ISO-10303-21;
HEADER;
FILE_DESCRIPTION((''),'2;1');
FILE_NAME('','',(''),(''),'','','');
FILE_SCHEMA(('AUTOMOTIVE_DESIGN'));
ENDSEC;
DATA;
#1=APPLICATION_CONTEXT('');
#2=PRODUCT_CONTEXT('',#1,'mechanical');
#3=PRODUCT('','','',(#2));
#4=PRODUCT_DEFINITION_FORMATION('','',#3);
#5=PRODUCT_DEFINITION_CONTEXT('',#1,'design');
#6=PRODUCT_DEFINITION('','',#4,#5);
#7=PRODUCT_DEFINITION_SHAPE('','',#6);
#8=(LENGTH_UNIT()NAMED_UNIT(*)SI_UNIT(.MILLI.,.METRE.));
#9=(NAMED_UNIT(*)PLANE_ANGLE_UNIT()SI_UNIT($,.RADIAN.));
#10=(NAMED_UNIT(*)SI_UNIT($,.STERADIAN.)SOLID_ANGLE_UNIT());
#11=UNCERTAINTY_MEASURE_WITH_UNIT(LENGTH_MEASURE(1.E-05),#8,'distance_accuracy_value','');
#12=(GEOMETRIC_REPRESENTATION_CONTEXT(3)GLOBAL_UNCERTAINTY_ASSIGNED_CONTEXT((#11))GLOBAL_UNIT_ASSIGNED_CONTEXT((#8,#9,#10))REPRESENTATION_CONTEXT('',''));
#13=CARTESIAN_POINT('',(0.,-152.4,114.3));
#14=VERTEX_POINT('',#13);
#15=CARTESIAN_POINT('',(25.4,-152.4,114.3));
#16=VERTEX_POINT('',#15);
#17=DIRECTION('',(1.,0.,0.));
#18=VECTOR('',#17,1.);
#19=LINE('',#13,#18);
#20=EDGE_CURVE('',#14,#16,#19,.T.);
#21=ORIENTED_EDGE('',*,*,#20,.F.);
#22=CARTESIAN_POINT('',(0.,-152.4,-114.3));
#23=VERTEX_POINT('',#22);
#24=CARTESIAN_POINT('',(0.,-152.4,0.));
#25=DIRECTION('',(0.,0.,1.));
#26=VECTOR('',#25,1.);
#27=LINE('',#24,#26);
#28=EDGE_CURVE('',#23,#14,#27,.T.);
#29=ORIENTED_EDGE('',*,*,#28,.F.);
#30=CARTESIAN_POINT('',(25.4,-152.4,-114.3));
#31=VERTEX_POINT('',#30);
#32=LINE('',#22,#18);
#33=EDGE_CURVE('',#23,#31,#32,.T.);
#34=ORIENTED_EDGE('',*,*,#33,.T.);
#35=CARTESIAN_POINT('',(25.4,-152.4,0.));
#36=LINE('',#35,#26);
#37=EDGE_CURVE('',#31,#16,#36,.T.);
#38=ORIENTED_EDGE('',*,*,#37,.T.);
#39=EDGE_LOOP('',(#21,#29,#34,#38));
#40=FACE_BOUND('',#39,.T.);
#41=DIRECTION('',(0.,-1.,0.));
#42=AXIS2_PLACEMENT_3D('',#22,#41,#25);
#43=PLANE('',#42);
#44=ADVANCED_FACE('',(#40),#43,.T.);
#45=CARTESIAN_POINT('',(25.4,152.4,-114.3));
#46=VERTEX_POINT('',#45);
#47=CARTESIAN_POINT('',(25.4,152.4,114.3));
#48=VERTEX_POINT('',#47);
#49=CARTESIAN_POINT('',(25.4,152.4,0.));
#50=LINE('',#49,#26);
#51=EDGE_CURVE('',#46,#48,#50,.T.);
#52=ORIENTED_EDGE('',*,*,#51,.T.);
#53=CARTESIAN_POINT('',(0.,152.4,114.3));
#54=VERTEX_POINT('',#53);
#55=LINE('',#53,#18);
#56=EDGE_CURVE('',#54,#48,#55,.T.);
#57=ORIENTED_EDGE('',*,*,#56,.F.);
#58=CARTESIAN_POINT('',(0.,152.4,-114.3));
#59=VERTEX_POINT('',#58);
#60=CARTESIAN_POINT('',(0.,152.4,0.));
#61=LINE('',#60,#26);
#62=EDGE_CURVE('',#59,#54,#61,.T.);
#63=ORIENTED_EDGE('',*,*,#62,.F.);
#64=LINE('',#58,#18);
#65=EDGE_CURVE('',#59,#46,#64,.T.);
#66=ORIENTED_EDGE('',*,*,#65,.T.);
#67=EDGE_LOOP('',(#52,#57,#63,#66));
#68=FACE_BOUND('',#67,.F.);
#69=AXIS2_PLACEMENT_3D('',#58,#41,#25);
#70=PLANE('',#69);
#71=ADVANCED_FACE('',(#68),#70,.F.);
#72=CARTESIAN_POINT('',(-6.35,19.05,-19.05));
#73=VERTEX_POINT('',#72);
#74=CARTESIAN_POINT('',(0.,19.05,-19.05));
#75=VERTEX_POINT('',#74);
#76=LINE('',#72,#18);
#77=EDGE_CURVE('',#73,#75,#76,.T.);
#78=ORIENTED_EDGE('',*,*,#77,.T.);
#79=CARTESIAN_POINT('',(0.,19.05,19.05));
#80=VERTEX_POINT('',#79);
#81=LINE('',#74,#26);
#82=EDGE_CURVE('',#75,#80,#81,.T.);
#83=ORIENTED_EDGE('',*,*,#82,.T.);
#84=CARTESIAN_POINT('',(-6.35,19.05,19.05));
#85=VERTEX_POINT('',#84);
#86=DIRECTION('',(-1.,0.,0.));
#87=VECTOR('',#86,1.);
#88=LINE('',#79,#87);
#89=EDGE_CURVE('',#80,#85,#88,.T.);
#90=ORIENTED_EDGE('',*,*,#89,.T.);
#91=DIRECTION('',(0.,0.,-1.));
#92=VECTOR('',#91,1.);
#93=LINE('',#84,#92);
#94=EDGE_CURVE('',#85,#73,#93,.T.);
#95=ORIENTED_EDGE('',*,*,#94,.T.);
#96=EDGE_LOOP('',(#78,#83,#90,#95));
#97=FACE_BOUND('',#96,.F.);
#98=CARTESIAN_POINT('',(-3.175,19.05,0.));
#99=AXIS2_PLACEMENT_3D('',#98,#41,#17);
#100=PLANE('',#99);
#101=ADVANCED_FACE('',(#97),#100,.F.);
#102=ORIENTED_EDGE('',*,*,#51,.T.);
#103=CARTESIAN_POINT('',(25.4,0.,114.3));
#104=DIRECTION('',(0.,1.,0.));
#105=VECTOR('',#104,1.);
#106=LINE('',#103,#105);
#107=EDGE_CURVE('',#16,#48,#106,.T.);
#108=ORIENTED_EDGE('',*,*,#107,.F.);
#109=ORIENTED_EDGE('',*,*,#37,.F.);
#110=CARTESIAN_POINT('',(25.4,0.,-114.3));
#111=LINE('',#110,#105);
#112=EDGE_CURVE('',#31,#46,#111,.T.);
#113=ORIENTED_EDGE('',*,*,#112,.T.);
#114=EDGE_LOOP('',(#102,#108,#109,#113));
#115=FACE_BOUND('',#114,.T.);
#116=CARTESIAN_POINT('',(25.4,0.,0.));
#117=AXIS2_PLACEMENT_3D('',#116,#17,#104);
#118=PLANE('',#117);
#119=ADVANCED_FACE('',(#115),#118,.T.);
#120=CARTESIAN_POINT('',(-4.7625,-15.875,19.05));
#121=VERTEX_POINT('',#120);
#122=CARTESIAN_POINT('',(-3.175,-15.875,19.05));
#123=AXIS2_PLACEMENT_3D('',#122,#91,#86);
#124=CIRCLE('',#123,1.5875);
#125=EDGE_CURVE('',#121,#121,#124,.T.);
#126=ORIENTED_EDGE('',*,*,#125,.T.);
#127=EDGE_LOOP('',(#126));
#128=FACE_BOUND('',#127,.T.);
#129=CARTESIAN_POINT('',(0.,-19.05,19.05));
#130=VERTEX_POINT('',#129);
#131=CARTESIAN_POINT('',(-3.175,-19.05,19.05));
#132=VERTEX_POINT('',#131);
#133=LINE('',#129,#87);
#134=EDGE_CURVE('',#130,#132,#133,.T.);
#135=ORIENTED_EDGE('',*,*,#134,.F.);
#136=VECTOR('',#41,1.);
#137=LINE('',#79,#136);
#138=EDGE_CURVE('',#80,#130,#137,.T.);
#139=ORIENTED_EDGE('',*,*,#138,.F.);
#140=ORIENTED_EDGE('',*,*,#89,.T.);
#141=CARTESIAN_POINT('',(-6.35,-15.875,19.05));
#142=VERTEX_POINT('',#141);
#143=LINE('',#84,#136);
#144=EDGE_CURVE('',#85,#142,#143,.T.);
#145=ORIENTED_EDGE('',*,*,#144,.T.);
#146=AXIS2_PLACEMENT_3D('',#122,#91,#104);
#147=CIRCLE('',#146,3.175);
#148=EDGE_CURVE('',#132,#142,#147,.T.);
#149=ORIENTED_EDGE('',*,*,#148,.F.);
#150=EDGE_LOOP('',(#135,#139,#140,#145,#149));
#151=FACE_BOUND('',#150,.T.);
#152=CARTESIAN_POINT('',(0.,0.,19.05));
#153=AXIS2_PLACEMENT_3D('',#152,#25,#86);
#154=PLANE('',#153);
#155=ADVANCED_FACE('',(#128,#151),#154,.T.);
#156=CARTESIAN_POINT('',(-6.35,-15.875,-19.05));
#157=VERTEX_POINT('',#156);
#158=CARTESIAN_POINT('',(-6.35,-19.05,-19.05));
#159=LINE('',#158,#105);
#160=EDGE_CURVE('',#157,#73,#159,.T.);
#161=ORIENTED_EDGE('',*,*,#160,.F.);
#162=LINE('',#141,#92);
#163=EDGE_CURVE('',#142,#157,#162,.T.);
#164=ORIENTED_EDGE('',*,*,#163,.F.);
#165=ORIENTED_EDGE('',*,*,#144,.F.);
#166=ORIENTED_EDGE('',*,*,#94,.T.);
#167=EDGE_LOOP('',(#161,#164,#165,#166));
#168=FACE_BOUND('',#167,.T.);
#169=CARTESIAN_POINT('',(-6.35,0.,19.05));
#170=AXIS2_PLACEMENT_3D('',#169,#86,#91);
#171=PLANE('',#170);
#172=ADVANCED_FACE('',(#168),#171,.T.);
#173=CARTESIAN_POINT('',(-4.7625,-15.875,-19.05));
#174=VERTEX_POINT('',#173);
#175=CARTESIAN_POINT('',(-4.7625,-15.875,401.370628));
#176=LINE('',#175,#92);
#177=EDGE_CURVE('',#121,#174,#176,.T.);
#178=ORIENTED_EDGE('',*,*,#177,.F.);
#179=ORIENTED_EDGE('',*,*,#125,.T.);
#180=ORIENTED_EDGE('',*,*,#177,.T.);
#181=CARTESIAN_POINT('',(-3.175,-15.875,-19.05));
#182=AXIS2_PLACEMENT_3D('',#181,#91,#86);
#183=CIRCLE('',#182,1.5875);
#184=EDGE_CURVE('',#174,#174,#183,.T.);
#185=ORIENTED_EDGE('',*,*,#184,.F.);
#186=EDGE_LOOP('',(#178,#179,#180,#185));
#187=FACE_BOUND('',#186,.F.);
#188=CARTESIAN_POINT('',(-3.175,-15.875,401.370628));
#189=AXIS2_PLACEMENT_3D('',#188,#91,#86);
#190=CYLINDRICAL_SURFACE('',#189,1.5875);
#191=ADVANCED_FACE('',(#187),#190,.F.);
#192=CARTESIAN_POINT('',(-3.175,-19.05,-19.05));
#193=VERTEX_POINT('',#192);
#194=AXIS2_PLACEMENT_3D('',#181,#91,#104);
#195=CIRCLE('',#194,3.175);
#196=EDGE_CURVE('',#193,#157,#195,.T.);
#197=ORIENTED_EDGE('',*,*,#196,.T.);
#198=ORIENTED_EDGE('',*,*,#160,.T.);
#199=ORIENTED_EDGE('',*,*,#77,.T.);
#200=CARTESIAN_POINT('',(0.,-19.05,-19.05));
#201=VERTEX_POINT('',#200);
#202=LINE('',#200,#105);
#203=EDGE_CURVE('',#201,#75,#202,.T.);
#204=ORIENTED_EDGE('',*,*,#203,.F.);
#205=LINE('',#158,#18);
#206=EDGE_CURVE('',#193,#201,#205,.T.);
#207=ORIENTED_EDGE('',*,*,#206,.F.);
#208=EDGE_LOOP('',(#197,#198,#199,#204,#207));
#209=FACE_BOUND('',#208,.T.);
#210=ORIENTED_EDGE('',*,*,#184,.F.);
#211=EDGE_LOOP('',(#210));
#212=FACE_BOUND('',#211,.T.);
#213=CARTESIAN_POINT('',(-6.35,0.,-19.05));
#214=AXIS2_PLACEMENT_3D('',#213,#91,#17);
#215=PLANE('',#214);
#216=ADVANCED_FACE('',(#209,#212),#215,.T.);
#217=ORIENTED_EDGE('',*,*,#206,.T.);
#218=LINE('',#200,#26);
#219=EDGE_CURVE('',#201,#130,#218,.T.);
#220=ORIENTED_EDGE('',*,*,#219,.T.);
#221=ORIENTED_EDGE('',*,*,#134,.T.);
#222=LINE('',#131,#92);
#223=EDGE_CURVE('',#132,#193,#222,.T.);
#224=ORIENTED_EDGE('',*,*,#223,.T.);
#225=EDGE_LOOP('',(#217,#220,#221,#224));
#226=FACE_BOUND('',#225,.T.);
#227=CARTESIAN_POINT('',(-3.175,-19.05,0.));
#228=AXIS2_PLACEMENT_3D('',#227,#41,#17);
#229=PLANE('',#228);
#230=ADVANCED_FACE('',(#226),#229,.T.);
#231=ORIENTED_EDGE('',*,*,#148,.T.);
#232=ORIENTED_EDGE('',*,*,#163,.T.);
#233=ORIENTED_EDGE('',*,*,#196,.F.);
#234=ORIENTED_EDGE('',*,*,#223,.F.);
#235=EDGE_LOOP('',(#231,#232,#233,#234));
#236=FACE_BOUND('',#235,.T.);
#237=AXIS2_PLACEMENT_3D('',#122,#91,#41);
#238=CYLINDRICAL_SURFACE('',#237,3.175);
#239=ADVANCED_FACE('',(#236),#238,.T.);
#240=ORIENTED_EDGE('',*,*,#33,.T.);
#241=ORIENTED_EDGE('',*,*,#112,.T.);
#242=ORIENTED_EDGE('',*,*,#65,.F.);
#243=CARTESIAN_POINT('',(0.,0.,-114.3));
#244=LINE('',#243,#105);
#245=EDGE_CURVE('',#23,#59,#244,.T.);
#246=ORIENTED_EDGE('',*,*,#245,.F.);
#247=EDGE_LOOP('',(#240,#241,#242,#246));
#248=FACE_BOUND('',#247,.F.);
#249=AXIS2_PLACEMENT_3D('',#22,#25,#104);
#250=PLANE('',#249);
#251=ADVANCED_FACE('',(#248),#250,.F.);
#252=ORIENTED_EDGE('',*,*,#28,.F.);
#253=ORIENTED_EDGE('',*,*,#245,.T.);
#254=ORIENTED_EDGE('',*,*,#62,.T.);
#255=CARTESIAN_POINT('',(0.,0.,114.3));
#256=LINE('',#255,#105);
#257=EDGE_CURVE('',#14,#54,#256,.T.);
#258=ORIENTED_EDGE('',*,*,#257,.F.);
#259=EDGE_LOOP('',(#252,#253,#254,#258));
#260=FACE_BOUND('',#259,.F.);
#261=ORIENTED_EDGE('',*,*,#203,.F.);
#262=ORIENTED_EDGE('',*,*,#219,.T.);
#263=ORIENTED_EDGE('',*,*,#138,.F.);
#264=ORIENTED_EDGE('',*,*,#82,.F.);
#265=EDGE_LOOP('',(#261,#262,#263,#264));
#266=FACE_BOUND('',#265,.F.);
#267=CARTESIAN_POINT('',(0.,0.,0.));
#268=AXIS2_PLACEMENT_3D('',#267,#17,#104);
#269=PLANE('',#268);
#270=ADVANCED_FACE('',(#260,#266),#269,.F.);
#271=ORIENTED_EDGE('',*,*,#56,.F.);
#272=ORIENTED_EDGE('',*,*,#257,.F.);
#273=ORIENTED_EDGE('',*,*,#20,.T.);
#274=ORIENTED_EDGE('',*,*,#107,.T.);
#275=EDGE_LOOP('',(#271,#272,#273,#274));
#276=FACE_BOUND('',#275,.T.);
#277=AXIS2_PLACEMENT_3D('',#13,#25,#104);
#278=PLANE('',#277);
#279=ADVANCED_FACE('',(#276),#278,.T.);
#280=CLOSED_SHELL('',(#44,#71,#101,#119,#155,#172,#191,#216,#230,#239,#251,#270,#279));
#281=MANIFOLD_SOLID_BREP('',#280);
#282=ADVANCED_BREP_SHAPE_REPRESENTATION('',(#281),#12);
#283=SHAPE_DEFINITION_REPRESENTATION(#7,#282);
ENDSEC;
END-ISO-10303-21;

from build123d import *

# Parameters (mm, degrees)
F0_W     = 304.8
F0_H     = 228.6
F1_DEPTH = 25.4
F3_DEPTH = 19.05
F5_D     = 3.175
F6_R     = 3.175


with BuildPart() as f1:
    # F0 (on Right) → F1 (new body)
    with BuildSketch(Plane.YZ):
        Rectangle(F0_W, F0_H)
    extrude(amount=F1_DEPTH)

    # F2 (on Front) → F3 (join, symmetric)
    with BuildSketch(Plane.XZ):
        Polygon((0, -19.05), (0, 19.05), (-3.175, 19.05), (-6.35, 19.05), (-6.35, -19.05), (-3.175, -19.05), align=None)
    extrude(amount=F3_DEPTH, both=True)

    # F5 (through all)
    with Locations(Plane.XY.offset(19.05)):
        with Locations((-3.175, -15.875)):
            Hole(F5_D / 2)

    # F6
    f6_edges = [f1.edges().sort_by_distance(p)[0] for p in [
        (-6.35, -19.05, 0),
    ]]
    fillet(f6_edges, radius=F6_R)


solid = f1.part
